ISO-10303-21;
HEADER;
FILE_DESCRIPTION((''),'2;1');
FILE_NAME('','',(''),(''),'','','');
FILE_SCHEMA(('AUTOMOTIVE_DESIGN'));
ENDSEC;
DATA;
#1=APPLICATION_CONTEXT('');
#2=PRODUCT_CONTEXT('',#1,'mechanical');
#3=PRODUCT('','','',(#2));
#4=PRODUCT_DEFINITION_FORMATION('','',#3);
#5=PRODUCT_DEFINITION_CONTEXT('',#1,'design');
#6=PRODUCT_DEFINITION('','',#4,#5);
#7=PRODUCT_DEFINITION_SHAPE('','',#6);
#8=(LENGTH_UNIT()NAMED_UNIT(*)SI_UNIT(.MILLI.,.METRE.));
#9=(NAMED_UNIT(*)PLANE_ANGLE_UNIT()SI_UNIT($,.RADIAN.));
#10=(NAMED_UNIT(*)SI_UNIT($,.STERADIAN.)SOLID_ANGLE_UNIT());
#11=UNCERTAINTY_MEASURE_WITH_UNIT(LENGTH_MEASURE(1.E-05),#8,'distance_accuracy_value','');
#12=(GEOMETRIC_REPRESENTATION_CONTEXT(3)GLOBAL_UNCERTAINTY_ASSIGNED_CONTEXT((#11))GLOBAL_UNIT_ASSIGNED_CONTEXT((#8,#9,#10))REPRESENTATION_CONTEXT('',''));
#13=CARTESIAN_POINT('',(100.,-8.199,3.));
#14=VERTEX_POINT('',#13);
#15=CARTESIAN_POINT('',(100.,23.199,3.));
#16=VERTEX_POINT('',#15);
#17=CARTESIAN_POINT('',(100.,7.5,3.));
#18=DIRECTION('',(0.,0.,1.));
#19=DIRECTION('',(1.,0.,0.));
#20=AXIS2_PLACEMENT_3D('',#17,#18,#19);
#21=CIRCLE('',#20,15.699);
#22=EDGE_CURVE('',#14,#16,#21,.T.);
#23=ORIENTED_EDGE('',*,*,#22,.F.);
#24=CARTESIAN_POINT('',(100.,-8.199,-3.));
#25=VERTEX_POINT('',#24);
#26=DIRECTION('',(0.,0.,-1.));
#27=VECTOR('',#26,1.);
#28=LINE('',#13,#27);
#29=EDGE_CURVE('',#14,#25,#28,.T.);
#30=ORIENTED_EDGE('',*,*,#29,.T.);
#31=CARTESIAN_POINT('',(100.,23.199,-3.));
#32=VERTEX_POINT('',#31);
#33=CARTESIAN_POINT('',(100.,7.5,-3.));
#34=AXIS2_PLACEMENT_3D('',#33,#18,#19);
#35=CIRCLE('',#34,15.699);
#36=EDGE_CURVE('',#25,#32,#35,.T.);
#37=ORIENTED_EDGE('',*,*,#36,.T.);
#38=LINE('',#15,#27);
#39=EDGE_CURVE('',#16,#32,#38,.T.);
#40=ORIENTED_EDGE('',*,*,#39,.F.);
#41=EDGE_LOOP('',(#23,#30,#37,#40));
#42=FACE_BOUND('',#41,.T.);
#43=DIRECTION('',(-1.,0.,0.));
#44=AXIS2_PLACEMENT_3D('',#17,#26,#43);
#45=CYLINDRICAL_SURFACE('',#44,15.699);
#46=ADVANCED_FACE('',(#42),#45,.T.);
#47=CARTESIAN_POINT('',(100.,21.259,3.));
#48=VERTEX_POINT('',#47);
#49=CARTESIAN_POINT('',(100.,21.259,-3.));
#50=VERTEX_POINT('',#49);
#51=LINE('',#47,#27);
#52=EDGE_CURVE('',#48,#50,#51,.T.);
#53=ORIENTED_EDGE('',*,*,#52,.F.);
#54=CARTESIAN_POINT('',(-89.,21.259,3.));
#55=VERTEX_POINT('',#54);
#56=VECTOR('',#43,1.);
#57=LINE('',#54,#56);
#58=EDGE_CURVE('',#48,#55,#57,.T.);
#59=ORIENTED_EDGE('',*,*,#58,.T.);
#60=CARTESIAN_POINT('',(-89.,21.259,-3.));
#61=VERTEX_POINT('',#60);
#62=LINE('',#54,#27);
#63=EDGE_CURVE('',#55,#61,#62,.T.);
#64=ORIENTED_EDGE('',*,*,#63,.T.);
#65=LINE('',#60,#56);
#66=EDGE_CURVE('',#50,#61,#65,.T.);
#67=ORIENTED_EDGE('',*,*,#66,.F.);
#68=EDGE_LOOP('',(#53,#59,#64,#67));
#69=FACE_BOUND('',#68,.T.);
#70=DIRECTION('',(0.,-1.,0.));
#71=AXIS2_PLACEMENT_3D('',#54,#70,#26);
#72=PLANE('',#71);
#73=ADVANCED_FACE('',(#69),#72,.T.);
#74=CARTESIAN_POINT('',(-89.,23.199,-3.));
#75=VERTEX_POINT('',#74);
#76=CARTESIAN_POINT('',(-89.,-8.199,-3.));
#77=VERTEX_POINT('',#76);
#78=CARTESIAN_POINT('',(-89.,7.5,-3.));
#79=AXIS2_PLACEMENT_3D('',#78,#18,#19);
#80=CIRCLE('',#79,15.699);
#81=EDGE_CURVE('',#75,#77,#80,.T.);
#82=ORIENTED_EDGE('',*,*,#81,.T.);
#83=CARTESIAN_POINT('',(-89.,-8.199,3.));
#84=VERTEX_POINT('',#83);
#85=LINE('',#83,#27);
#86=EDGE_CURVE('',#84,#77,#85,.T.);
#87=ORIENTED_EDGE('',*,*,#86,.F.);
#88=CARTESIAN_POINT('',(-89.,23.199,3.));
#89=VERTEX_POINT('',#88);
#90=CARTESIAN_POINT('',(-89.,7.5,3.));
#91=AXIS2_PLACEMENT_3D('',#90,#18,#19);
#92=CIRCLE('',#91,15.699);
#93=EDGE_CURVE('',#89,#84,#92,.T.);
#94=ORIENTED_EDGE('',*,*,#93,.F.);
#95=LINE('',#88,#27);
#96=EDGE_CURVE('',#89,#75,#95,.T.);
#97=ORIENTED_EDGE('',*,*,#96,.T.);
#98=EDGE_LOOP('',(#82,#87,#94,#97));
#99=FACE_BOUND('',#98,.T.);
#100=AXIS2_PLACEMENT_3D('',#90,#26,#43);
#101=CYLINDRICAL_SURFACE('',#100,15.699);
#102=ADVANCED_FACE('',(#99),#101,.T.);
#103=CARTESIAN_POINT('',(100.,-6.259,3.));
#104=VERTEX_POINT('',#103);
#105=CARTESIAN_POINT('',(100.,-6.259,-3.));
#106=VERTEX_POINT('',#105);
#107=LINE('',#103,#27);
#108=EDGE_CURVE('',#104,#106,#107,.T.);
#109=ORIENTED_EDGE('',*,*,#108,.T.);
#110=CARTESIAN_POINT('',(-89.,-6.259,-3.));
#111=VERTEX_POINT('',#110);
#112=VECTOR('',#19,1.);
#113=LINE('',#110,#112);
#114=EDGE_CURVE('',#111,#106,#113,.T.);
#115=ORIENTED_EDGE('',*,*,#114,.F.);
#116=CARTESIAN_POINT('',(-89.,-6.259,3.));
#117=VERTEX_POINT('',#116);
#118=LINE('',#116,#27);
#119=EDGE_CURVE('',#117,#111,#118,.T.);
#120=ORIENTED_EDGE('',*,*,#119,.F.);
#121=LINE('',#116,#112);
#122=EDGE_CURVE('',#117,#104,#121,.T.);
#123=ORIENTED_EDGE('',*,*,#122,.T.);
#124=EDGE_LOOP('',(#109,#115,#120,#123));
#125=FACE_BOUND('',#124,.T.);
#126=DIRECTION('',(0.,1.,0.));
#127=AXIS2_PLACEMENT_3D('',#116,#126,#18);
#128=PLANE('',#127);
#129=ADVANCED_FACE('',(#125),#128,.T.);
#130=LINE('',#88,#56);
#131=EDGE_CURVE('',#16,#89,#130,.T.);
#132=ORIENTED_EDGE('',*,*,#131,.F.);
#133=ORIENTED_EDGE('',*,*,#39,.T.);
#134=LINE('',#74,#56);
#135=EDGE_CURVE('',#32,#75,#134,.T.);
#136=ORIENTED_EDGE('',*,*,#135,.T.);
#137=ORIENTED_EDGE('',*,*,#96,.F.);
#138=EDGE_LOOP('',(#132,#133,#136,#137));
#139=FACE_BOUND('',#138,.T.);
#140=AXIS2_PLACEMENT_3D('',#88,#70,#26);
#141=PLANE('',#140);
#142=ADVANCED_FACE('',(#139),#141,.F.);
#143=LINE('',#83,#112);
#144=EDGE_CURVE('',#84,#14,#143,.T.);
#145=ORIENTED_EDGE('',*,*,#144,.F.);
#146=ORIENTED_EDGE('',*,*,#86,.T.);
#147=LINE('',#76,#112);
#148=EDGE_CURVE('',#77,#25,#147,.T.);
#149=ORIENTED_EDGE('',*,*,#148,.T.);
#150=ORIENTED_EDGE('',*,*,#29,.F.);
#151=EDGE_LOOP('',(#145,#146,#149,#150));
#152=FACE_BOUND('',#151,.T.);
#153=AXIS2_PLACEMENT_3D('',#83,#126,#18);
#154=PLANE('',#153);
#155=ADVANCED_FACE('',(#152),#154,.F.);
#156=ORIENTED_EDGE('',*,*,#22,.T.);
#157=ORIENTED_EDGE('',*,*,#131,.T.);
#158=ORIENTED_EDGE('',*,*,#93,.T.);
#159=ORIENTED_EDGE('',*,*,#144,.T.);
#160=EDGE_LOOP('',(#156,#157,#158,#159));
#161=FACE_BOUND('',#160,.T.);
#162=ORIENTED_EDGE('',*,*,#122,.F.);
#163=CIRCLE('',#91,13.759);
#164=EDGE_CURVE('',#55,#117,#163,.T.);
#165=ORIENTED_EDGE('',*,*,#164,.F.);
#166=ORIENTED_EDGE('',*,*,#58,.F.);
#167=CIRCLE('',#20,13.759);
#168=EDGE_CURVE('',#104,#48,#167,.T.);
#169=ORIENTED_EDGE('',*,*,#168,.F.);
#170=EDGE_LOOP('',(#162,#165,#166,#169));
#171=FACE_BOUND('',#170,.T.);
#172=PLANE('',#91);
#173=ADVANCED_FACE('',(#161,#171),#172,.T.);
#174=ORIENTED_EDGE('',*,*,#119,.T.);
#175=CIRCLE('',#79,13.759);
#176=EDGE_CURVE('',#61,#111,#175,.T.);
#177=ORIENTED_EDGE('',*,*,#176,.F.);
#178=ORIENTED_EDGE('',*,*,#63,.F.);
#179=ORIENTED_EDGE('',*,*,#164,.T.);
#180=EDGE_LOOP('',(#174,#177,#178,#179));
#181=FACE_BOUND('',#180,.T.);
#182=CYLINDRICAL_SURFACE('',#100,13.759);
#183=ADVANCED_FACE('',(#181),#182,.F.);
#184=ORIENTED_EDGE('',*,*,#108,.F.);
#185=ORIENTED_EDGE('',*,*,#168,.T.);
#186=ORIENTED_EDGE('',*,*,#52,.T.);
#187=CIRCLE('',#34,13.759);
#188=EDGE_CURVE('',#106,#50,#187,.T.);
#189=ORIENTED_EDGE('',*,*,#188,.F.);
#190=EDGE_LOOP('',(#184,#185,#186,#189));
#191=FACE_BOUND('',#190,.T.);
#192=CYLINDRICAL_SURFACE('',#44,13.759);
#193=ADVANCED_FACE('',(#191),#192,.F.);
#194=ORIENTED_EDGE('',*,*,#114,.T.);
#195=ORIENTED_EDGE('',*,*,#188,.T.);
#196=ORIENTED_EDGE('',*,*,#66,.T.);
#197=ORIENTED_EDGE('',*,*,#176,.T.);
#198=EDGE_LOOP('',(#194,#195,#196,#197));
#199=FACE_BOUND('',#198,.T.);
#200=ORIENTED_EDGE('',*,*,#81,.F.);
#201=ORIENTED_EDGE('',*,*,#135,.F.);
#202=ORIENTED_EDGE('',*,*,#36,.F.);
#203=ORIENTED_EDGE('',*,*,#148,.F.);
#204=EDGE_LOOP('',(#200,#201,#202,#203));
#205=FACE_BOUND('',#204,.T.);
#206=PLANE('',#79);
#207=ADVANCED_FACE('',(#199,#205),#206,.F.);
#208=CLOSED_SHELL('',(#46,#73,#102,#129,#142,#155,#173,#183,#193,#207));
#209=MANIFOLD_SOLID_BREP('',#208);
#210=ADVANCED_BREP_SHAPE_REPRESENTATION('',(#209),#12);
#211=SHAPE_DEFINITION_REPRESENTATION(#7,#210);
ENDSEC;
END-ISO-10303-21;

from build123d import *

# Parameters (mm, degrees)
EXTRUDE_1_DEPTH = 3


with BuildPart() as part:
    # ｽｹｯﾁ1 → ﾎﾞｽ - 押し出し1 (new, symmetric)
    with BuildSketch(Plane.XY):
        with BuildLine():
            Line((-89, 23.199), (100, 23.199))
            ThreePointArc((100, 23.199), (115.699, 7.5), (100, -8.199))
            Line((100, -8.199), (-89, -8.199))
            ThreePointArc((-89, -8.199), (-104.699, 7.5), (-89, 23.199))
        make_face()
        with BuildLine():
            Line((-89, 21.259), (100, 21.259))
            ThreePointArc((100, 21.259), (113.759, 7.5), (100, -6.259))
            Line((100, -6.259), (-89, -6.259))
            ThreePointArc((-89, -6.259), (-102.759, 7.5), (-89, 21.259))
        make_face(mode=Mode.SUBTRACT)
    extrude(amount=EXTRUDE_1_DEPTH, both=True)


solid = part.part
